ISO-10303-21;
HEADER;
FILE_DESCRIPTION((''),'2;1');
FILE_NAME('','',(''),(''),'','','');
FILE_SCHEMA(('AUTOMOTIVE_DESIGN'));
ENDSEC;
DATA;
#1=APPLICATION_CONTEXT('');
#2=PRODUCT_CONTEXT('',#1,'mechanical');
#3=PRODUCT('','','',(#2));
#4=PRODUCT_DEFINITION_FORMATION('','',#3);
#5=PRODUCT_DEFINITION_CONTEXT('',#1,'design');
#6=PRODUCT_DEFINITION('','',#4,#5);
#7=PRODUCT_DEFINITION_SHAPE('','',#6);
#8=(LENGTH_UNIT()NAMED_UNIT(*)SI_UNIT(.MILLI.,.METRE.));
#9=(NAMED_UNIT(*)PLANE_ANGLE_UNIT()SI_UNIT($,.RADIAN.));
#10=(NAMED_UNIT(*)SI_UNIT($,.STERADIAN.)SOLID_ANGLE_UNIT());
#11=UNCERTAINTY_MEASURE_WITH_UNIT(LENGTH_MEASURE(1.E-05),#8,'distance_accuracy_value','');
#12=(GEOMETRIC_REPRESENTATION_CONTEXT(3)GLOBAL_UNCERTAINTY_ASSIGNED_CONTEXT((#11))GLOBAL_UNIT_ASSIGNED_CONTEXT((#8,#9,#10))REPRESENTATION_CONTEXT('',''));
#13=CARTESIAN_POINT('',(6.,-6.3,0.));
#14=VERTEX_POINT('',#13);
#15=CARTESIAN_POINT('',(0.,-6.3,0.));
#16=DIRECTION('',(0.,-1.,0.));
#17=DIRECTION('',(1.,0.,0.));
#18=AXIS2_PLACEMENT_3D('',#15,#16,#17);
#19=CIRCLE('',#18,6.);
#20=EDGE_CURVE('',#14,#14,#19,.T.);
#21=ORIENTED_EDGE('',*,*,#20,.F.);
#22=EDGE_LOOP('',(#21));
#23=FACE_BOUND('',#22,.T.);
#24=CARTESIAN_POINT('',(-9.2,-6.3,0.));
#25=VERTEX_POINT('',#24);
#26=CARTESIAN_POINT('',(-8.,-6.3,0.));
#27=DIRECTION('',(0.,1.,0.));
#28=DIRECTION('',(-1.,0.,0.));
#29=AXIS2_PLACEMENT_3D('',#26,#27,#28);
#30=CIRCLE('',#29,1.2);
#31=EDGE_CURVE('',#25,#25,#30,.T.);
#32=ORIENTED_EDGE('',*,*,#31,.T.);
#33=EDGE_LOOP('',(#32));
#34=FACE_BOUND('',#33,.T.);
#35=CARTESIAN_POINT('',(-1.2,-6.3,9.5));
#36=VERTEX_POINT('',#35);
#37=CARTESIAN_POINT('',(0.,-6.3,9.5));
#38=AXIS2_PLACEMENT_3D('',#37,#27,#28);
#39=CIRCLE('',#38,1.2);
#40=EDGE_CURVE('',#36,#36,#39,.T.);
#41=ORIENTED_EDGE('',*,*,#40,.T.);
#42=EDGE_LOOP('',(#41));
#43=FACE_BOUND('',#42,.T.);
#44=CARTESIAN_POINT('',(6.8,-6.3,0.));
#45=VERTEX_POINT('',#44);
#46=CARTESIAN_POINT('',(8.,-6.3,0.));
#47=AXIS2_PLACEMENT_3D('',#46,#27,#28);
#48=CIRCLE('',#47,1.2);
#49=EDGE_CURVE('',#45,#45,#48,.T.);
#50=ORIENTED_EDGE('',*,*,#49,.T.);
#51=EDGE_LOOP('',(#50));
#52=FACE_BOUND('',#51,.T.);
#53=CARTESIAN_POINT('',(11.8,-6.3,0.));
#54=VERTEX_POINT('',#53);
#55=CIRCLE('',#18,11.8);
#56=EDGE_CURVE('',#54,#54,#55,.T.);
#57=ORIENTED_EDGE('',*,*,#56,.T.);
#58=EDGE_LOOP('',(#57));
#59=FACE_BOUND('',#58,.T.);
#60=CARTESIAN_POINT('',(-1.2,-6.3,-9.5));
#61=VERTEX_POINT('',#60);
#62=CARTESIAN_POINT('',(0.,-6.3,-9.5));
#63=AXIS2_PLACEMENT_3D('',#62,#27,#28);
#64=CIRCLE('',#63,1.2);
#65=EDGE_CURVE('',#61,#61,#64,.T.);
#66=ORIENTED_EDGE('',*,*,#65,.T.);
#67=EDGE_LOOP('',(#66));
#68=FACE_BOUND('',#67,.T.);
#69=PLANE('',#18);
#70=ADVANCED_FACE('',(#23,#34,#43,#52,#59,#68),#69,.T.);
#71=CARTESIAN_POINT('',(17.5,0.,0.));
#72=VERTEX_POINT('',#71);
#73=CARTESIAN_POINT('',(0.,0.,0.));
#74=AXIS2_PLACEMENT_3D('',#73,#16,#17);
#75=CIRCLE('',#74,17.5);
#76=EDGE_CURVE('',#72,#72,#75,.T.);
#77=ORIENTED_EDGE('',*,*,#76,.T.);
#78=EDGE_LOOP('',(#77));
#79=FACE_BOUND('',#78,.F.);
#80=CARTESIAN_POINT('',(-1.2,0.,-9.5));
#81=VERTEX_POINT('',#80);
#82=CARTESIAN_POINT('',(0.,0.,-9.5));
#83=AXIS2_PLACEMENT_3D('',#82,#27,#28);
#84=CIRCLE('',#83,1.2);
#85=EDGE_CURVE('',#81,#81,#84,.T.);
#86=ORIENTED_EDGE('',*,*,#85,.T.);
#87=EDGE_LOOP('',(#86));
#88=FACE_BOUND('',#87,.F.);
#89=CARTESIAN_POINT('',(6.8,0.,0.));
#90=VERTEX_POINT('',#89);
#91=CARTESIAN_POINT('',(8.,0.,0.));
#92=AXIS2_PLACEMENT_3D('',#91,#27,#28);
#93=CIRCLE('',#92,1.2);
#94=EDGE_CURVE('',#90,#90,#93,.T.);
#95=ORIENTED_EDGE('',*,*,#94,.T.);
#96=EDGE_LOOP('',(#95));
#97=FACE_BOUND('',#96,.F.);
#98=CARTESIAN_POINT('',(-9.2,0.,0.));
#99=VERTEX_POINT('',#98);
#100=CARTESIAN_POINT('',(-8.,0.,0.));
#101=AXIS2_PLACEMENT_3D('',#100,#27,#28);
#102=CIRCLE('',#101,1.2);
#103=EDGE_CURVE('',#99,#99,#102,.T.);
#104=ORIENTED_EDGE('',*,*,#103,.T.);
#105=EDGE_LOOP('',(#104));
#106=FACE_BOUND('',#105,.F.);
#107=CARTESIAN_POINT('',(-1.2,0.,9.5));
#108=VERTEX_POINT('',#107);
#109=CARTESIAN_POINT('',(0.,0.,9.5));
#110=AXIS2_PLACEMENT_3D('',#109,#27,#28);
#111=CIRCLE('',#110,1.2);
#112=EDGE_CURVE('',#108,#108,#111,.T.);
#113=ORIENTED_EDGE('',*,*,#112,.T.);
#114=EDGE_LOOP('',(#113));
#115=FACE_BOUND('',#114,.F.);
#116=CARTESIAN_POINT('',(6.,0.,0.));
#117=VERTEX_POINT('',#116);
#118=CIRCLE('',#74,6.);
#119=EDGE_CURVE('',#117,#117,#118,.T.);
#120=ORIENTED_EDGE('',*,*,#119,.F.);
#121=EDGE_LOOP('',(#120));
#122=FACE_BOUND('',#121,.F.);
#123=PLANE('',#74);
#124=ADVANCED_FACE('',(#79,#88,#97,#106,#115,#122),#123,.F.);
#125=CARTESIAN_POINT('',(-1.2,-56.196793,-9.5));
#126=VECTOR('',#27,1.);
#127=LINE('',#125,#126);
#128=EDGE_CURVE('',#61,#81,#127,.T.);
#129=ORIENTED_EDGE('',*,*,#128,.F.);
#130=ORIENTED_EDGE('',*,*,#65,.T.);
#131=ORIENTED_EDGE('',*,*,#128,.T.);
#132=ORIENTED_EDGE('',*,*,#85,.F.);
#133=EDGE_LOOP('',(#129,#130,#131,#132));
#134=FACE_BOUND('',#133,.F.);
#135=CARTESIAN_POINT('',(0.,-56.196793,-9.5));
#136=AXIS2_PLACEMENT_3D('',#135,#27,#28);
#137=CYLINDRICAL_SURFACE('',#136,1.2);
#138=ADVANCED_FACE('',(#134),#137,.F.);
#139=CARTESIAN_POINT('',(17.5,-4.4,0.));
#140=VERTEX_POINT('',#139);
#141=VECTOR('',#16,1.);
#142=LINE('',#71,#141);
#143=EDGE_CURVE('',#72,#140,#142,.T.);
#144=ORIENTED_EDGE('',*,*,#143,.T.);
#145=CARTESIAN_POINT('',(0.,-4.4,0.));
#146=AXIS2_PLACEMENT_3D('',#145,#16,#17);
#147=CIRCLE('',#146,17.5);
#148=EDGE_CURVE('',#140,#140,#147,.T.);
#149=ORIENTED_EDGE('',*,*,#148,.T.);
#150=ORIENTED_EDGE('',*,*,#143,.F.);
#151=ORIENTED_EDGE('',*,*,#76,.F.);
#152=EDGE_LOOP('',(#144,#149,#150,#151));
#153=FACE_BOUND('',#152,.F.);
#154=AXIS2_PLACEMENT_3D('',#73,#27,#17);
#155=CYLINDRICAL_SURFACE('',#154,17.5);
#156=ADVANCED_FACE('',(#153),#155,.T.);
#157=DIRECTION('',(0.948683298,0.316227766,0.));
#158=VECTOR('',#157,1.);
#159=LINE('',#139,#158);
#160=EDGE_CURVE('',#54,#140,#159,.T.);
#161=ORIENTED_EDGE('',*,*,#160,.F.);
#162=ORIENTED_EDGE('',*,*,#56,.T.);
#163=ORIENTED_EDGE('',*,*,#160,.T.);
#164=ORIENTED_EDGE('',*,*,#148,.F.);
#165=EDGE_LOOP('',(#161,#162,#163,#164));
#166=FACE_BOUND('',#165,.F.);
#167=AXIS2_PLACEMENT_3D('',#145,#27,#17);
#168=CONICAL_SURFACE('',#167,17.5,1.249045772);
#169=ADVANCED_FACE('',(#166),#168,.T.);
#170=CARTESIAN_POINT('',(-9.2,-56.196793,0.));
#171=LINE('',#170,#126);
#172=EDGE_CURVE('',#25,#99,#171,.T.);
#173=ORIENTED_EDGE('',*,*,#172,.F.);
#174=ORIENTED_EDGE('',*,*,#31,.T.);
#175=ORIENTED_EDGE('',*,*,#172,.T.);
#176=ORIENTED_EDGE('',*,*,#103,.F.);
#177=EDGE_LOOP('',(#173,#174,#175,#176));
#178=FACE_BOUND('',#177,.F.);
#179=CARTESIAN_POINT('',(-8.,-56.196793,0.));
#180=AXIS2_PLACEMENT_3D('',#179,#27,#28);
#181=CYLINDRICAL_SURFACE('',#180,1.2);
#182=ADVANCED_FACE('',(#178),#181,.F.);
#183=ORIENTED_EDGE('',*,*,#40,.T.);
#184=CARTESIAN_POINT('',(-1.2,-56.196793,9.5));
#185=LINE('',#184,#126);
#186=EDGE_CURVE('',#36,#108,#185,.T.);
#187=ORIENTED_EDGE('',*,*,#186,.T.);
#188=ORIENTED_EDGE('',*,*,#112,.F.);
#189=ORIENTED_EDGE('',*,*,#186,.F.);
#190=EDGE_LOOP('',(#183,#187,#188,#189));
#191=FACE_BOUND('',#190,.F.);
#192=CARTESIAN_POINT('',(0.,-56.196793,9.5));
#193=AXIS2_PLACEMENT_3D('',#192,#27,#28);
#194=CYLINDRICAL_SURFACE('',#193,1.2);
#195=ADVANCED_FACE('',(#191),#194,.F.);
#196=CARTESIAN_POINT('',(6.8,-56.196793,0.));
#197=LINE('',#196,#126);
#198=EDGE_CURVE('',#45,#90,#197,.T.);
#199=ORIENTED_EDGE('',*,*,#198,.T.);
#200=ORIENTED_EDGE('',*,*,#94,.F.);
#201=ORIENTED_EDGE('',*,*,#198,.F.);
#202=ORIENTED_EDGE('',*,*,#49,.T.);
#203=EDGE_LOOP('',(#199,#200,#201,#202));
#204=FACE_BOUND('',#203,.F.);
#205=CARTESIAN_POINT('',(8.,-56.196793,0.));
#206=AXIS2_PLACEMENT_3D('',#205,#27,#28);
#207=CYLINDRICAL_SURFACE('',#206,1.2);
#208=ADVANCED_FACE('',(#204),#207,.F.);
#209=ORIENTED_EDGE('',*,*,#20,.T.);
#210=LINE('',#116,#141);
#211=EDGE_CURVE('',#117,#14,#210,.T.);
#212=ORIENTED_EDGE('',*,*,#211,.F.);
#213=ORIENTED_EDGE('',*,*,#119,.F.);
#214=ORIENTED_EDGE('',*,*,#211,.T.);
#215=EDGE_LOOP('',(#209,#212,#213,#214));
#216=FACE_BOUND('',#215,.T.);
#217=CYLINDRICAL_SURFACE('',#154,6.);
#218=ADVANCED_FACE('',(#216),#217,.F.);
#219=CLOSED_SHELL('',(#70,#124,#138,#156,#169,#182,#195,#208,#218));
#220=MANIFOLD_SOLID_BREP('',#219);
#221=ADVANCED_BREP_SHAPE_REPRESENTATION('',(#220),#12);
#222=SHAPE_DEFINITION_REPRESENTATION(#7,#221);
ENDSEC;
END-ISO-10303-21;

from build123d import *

# Parameters (mm, degrees)
F0_R     = 17.5
F0_R_2   = 6
F1_DEPTH = 6.3
F2_SIZE2 = 1.9
F2_SIZE  = 5.7
F4_D     = 2.4


with BuildPart() as f1:
    # F0 (on Front) → F1 (new body)
    with BuildSketch(Plane.XZ):
        Circle(F0_R)
        Circle(F0_R_2, mode=Mode.SUBTRACT)
    extrude(amount=F1_DEPTH)

    # F2
    f2_edges = [f1.edges().sort_by_distance(p)[0] for p in [
        (-17.5, -6.3, 0),
    ]]
    f2_side = f1.faces().sort_by_distance((-17.005025, -6.3, 0))[0]
    chamfer(f2_edges, length=F2_SIZE, length2=F2_SIZE2, reference=f2_side)

    # F4 (through all)
    with Locations(Plane.XZ.offset(6.3)):
        with Locations((0, 9.5), (-8, 0), (0, -9.5), (8, 0)):
            Hole(F4_D / 2)


solid = f1.part
